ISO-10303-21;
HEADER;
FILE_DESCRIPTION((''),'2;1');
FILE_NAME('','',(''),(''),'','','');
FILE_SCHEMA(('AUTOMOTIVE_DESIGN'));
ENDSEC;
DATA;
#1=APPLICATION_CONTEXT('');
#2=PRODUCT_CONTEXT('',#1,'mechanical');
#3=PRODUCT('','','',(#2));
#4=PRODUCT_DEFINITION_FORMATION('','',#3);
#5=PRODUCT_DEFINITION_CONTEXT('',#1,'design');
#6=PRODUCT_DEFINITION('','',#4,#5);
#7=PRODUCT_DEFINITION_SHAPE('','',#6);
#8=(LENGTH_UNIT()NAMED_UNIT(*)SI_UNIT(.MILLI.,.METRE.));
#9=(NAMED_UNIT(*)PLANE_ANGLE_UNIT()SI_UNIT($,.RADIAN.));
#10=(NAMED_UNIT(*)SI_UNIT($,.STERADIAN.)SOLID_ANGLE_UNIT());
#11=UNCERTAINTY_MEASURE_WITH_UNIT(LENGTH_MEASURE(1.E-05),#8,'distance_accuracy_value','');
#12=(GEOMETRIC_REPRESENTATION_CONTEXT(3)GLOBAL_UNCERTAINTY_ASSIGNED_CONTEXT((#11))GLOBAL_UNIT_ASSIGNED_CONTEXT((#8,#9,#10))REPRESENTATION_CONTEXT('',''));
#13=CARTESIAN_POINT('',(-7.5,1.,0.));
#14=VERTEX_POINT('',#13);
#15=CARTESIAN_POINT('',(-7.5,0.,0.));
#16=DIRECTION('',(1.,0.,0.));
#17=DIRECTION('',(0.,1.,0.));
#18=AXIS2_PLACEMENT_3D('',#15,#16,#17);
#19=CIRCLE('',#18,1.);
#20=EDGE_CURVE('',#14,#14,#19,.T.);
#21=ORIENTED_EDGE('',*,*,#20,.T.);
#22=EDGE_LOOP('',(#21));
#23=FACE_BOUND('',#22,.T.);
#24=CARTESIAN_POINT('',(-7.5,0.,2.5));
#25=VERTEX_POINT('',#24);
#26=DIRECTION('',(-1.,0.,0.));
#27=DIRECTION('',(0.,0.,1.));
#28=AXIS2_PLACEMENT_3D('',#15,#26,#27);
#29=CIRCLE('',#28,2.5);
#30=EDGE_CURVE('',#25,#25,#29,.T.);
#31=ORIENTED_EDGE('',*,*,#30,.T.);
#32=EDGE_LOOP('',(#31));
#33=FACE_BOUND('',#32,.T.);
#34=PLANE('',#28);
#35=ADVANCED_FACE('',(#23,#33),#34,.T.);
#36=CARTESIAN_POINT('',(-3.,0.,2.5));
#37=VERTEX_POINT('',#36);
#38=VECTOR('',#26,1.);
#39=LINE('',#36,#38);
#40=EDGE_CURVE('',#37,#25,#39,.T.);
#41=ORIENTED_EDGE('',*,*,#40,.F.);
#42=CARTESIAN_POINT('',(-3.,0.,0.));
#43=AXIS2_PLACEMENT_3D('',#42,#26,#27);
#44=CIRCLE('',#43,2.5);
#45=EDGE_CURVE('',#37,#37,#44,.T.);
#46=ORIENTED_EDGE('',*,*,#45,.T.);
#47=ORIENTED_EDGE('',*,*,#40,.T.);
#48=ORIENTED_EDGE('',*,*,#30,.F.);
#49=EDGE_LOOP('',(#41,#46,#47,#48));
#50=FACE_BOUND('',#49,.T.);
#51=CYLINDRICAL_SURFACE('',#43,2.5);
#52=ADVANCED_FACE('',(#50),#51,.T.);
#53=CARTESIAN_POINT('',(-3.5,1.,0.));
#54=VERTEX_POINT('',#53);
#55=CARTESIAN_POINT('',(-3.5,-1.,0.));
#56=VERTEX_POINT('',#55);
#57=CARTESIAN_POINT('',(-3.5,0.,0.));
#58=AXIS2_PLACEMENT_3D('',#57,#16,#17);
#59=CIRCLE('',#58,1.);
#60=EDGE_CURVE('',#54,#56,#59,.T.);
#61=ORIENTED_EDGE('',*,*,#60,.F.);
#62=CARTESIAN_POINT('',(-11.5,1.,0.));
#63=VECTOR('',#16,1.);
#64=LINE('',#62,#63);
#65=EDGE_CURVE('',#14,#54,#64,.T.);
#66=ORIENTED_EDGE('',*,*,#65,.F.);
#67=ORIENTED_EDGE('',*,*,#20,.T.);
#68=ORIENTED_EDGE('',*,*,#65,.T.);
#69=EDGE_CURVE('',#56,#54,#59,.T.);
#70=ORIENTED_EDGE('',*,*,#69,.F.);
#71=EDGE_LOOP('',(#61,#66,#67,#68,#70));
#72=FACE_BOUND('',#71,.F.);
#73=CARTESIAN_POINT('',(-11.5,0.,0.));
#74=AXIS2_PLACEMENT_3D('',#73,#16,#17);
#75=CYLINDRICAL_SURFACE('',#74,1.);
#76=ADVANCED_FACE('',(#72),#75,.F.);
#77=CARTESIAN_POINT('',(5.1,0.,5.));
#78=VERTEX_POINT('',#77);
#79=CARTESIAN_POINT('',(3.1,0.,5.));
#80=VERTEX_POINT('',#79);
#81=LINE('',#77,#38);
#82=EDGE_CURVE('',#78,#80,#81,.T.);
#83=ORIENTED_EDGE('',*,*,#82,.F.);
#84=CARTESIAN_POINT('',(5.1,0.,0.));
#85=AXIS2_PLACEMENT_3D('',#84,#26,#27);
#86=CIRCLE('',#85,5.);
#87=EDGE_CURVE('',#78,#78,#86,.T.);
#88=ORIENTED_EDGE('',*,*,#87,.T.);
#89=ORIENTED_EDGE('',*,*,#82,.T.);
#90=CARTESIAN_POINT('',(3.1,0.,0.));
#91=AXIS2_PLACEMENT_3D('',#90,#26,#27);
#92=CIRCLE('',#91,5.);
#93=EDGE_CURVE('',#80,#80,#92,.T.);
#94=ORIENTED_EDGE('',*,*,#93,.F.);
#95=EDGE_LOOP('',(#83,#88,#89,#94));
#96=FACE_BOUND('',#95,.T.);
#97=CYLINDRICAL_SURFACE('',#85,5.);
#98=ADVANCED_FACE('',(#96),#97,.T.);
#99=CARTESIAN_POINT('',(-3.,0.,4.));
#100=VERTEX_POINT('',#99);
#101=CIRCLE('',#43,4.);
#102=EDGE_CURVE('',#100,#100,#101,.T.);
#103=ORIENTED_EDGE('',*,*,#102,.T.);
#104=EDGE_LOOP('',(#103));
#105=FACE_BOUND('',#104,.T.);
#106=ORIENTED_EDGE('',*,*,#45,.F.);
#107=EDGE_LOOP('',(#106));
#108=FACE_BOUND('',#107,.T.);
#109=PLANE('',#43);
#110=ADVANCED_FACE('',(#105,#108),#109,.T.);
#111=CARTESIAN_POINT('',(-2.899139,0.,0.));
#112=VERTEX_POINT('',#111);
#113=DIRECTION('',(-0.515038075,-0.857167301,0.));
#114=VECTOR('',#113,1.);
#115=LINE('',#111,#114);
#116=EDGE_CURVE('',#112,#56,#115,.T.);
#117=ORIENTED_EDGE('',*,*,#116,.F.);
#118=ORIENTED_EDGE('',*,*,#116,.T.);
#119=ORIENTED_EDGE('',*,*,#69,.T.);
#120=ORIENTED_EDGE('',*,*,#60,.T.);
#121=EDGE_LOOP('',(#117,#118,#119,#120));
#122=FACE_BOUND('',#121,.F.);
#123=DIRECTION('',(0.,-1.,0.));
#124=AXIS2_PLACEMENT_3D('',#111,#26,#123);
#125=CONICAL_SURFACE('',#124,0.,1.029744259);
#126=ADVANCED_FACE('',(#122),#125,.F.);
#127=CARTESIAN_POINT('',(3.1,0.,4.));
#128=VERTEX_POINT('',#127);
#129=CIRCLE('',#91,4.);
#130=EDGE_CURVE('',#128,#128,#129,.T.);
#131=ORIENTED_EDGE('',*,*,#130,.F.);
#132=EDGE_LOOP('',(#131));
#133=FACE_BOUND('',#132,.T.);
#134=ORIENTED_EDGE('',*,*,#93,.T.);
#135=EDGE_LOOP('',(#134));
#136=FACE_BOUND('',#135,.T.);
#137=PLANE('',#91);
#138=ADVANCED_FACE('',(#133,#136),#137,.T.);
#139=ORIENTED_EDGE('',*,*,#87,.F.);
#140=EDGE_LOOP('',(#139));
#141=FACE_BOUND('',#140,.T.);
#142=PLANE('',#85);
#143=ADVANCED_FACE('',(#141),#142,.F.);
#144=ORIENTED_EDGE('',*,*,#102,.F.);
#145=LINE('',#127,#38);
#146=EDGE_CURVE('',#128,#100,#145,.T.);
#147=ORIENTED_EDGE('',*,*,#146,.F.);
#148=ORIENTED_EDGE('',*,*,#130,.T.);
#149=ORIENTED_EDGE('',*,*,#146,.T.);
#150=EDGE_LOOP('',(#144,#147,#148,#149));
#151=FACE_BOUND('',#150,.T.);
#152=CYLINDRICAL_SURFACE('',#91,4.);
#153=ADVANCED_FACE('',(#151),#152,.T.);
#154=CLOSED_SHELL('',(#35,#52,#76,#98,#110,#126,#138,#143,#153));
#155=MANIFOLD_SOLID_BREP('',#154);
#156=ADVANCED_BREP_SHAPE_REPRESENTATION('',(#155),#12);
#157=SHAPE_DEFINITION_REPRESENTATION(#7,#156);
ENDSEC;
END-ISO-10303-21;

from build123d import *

# Parameters (mm, degrees)
F3_D     = 2
F3_DEPTH = 4
F3_TIP   = 0.600860619


with BuildPart() as f1:
    # F0 (on Front) → F1 (revolve)
    with BuildSketch(Plane.XZ):
        Polygon((-7.5, 2.5), (-7.5, 0), (5.1, 0), (5.1, 5), (3.1, 5), (3.1, 4), (-3, 4), (-3, 2.5), align=None)
    revolve(axis=Axis((-1.2, 0, 0), (-1, 0, 0)))

    # F3
    with Locations(Plane(origin=(-7.5, 0, 0), x_dir=(0, -1, 0), z_dir=(-1, 0, 0))):
        with Locations((0, 0)):
            Hole(F3_D / 2, depth=F3_DEPTH)
            with Locations((0, 0, -(F3_DEPTH + F3_TIP / 2))):  # 118° drill point
                Cone(0, F3_D / 2, F3_TIP, mode=Mode.SUBTRACT)


solid = f1.part
